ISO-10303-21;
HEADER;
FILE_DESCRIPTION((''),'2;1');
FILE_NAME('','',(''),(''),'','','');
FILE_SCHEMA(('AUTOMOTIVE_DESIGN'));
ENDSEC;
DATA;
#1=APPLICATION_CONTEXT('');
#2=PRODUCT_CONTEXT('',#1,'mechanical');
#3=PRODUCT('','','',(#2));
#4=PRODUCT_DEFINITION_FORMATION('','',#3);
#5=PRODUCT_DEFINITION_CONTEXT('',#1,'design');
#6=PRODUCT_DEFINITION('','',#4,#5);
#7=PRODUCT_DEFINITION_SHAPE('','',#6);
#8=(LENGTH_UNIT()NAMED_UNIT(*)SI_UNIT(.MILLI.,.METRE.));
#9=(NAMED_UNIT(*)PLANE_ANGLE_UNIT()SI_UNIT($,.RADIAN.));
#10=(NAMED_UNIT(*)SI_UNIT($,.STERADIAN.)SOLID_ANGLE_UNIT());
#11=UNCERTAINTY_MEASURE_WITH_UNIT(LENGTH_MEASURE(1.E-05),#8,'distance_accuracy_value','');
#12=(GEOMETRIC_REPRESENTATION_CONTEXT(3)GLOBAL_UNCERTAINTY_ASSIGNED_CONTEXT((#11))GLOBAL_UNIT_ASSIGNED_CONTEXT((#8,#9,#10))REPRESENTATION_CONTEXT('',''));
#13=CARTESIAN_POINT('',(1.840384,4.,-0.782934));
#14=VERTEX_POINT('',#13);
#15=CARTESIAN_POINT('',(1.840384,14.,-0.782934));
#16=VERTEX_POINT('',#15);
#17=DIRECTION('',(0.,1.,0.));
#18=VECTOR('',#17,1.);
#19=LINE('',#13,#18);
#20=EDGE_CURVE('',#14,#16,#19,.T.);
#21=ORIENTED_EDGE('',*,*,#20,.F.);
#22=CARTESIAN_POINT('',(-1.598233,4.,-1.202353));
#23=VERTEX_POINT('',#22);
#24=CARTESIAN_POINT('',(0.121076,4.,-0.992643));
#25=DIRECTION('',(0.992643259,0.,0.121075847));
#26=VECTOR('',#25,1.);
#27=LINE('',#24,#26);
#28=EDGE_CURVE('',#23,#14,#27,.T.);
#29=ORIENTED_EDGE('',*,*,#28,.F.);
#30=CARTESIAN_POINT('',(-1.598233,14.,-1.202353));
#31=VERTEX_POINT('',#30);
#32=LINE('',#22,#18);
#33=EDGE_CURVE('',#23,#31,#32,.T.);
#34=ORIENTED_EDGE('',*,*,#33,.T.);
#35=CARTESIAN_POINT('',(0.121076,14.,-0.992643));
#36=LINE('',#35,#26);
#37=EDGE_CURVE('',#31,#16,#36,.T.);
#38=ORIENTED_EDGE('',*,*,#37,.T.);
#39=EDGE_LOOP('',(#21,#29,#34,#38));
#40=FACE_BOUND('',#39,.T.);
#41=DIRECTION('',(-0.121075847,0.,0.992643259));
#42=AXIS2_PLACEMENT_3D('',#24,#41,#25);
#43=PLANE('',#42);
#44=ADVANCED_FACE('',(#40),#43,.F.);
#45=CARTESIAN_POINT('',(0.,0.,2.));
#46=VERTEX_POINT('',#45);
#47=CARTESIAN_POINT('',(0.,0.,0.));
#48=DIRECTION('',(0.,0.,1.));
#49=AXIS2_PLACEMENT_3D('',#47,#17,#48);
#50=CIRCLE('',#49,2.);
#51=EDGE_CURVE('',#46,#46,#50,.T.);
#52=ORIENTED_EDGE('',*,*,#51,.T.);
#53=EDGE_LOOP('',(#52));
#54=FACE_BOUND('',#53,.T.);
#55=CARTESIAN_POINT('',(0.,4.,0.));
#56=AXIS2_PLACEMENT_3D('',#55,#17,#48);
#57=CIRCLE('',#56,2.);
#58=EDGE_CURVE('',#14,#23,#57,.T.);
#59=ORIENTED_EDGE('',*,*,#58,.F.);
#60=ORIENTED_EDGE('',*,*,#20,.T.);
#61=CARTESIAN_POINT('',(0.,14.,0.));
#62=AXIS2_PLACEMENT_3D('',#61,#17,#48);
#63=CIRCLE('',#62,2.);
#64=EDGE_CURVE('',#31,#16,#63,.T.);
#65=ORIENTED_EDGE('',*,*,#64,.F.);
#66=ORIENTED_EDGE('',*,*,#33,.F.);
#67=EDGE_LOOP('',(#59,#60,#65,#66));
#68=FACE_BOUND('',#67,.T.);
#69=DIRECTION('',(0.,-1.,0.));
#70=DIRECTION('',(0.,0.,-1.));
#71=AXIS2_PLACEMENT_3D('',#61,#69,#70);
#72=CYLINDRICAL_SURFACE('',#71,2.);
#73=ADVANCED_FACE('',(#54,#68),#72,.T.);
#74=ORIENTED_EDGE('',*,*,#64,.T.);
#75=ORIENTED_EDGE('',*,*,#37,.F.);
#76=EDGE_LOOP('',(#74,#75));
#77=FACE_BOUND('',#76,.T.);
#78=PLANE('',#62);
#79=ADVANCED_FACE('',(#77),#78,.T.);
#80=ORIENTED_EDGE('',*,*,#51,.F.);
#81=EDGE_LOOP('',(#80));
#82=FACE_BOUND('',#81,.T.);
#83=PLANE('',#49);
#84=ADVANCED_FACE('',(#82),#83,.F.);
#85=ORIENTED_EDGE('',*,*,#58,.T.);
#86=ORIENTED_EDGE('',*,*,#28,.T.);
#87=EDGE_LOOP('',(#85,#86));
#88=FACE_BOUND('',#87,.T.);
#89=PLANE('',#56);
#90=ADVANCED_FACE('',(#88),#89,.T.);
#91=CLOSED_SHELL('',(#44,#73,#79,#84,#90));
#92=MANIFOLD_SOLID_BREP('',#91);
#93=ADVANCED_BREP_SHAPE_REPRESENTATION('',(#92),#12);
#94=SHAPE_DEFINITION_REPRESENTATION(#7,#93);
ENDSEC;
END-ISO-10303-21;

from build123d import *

# Parameters (mm, degrees)
SKETCH1_R           = 2
BOSS_EXTRUDE1_DEPTH = 14
CUT_EXTRUDE1_DEPTH  = 10


with BuildPart() as part:
    # Sketch1 → Boss-Extrude1 (new body)
    with BuildSketch(Plane(origin=(0, 0, 0), x_dir=(1, 0, 0), z_dir=(0, 1, 0))):
        with Locations(Location((0, 0, 0), (0, 0, 270))):
            Circle(SKETCH1_R)
    extrude(amount=BOSS_EXTRUDE1_DEPTH)

    # Sketch2 → Cut-Extrude1 (cut)
    with BuildSketch(Plane(origin=(0, 14, 0), x_dir=(1, 0, 0), z_dir=(0, 1, 0))):
        Polygon((-21.08755408, 3.579527117), (-1.598232712, 1.202352777), (1.840384405, 0.782933741), (21.329705773, -1.594240599), (26.084054454, 37.384402138), (-16.333205399, 42.558169855), align=None)
    extrude(amount=-CUT_EXTRUDE1_DEPTH, mode=Mode.SUBTRACT)


solid = part.part
